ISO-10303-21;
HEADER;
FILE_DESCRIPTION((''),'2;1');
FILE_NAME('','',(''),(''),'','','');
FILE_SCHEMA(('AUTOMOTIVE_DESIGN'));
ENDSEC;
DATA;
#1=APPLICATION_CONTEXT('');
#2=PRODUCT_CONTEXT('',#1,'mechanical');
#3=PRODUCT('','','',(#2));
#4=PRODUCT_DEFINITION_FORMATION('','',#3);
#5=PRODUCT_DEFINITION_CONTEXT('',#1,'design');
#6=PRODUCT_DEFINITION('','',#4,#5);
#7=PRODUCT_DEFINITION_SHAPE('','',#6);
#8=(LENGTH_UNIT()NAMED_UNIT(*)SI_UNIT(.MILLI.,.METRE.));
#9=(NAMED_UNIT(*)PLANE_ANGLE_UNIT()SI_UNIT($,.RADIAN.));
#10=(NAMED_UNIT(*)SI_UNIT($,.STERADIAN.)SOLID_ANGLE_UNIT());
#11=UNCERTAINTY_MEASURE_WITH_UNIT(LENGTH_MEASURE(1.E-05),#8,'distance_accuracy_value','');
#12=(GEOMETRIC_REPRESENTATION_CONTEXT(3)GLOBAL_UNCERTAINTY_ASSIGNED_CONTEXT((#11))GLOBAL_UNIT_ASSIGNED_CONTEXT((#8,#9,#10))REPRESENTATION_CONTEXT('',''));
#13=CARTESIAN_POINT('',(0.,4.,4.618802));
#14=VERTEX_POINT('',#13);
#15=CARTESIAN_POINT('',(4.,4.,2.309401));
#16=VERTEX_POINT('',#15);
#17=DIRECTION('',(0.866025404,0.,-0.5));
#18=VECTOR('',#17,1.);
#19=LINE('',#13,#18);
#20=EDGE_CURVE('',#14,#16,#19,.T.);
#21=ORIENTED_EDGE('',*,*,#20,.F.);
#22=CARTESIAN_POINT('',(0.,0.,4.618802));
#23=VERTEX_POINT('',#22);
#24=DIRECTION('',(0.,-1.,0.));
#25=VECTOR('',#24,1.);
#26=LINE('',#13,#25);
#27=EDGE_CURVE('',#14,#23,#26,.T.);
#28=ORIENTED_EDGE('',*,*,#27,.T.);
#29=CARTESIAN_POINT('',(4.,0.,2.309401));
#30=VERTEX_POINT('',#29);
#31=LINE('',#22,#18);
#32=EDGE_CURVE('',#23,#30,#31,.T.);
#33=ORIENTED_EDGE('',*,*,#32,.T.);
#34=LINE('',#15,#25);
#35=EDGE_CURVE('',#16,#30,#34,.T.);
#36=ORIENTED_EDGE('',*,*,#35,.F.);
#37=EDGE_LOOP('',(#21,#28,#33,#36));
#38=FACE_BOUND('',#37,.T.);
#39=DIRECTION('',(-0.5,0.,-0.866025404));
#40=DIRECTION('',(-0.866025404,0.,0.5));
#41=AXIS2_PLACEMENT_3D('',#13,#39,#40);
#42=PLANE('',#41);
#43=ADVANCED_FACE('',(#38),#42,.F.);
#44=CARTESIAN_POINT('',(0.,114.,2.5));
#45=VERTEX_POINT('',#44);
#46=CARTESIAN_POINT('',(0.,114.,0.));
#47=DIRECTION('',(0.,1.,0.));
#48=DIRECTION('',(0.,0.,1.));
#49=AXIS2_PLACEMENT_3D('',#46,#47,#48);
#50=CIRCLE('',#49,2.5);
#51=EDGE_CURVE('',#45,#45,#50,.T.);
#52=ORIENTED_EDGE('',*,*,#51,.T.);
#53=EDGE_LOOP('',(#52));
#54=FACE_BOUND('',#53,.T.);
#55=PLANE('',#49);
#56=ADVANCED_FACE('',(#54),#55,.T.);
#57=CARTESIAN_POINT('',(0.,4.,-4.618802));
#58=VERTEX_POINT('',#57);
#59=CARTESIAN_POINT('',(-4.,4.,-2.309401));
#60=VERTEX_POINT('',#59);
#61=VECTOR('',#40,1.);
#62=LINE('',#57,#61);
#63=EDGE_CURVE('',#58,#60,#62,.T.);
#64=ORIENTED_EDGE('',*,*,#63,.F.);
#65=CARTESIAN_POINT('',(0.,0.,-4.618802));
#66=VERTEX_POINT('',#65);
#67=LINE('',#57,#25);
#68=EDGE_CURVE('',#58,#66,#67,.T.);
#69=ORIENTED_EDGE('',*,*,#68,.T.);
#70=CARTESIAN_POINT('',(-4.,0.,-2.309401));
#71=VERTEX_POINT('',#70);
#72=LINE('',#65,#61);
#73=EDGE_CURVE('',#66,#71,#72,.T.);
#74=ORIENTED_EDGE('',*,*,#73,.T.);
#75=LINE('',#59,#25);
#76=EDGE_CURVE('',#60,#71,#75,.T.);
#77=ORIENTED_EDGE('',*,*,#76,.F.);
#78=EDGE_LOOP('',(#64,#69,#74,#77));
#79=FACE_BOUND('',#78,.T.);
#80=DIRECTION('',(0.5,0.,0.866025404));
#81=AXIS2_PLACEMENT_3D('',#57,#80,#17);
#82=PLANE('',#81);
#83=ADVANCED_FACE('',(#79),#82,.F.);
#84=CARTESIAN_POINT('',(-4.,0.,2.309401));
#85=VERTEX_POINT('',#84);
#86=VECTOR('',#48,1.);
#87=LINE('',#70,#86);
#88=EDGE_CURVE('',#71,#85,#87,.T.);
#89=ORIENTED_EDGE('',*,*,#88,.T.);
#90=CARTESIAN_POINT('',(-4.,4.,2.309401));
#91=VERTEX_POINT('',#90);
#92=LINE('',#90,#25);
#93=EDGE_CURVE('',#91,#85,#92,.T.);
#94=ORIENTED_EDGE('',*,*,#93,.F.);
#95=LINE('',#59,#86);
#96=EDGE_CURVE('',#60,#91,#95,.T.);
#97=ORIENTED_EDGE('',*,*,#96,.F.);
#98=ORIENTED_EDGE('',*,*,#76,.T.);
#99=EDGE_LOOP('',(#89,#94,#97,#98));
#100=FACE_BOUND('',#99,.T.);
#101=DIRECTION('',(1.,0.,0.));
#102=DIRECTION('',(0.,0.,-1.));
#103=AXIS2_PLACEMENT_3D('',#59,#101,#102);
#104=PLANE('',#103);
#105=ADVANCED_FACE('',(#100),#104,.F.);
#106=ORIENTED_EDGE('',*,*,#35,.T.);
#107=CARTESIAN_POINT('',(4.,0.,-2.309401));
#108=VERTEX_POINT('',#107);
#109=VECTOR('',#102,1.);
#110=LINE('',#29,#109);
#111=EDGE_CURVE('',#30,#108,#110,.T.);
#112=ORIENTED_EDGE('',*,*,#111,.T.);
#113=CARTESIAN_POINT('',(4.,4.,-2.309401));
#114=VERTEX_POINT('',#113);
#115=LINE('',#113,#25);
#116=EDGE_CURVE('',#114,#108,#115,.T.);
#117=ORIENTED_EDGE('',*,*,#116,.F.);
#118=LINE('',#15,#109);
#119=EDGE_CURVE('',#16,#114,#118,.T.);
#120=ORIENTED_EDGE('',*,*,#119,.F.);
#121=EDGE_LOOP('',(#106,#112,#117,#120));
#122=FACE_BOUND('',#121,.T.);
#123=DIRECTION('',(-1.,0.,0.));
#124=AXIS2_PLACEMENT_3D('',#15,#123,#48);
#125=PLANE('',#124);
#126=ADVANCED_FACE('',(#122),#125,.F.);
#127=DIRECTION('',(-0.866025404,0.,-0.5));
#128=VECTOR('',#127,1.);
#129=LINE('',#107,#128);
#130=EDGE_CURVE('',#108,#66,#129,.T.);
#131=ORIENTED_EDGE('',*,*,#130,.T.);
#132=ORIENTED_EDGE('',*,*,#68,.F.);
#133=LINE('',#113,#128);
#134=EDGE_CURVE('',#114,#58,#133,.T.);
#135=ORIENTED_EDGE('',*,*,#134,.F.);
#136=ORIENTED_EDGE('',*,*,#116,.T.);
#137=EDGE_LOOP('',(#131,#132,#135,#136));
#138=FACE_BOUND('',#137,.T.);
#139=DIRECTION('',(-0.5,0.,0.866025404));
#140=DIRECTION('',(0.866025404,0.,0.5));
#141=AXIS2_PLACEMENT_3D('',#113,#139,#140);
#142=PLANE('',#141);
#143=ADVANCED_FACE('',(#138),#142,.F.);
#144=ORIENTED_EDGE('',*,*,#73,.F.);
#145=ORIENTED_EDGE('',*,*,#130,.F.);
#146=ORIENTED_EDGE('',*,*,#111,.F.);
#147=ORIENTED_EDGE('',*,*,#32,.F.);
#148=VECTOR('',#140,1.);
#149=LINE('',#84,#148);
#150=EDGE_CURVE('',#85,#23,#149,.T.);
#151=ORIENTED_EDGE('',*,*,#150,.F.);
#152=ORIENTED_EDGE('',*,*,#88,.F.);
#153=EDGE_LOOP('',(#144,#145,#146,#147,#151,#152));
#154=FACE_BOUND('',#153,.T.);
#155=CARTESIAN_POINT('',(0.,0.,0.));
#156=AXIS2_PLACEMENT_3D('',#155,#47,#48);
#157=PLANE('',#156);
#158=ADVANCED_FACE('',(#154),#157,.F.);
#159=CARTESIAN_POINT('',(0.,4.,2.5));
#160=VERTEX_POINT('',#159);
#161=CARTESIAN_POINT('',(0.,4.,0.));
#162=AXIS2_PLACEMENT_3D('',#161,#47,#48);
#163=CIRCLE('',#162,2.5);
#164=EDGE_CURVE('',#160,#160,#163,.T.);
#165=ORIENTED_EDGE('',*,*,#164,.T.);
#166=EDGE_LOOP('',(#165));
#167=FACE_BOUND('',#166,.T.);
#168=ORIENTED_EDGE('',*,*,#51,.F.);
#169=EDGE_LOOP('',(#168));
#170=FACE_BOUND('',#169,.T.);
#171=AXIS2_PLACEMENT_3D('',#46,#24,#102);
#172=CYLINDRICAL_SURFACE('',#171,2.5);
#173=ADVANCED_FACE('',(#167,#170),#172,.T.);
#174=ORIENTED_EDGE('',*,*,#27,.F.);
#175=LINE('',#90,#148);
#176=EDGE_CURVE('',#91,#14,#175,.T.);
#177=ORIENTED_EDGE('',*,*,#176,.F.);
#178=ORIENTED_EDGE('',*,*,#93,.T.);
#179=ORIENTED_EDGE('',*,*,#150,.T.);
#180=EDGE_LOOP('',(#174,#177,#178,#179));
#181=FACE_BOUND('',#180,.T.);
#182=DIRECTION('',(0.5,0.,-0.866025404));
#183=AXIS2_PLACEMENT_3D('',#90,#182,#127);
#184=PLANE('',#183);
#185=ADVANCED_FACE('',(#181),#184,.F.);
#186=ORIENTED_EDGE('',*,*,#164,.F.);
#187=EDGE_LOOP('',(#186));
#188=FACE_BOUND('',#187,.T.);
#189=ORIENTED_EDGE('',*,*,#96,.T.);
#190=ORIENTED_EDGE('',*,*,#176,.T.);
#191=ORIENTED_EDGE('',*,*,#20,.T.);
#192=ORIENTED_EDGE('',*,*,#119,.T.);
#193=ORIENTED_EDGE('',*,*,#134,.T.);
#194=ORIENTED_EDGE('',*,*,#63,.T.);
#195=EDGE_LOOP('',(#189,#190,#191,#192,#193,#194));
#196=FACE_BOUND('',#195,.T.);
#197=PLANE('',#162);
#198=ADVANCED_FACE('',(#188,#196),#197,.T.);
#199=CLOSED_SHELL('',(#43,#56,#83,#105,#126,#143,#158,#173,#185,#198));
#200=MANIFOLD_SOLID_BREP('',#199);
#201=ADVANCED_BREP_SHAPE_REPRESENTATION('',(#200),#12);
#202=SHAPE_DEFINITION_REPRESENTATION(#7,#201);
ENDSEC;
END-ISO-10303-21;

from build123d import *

# Parameters (mm, degrees)
EXTRUDE_1_DEPTH = 4
SKETCH_3_R      = 2.5
EXTRUDE_2_DEPTH = 110


with BuildPart() as part:
    # Эскиз2 → Бобышка-Вытянуть1 (new body)
    with BuildSketch(Plane(origin=(0, 0, 0), x_dir=(1, 0, 0), z_dir=(0, 1, 0))):
        Polygon((4, -2.309401077), (4, 2.309401077), (0, 4.618802154), (-4, 2.309401077), (-4, -2.309401077), (0, -4.618802154), align=None)
    extrude(amount=EXTRUDE_1_DEPTH)

    # Эскиз3 → Бобышка-Вытянуть2 (add)
    with BuildSketch(Plane(origin=(0, 4, 0), x_dir=(1, 0, 0), z_dir=(0, 1, 0))):
        Circle(SKETCH_3_R)
    extrude(amount=EXTRUDE_2_DEPTH)


solid = part.part
